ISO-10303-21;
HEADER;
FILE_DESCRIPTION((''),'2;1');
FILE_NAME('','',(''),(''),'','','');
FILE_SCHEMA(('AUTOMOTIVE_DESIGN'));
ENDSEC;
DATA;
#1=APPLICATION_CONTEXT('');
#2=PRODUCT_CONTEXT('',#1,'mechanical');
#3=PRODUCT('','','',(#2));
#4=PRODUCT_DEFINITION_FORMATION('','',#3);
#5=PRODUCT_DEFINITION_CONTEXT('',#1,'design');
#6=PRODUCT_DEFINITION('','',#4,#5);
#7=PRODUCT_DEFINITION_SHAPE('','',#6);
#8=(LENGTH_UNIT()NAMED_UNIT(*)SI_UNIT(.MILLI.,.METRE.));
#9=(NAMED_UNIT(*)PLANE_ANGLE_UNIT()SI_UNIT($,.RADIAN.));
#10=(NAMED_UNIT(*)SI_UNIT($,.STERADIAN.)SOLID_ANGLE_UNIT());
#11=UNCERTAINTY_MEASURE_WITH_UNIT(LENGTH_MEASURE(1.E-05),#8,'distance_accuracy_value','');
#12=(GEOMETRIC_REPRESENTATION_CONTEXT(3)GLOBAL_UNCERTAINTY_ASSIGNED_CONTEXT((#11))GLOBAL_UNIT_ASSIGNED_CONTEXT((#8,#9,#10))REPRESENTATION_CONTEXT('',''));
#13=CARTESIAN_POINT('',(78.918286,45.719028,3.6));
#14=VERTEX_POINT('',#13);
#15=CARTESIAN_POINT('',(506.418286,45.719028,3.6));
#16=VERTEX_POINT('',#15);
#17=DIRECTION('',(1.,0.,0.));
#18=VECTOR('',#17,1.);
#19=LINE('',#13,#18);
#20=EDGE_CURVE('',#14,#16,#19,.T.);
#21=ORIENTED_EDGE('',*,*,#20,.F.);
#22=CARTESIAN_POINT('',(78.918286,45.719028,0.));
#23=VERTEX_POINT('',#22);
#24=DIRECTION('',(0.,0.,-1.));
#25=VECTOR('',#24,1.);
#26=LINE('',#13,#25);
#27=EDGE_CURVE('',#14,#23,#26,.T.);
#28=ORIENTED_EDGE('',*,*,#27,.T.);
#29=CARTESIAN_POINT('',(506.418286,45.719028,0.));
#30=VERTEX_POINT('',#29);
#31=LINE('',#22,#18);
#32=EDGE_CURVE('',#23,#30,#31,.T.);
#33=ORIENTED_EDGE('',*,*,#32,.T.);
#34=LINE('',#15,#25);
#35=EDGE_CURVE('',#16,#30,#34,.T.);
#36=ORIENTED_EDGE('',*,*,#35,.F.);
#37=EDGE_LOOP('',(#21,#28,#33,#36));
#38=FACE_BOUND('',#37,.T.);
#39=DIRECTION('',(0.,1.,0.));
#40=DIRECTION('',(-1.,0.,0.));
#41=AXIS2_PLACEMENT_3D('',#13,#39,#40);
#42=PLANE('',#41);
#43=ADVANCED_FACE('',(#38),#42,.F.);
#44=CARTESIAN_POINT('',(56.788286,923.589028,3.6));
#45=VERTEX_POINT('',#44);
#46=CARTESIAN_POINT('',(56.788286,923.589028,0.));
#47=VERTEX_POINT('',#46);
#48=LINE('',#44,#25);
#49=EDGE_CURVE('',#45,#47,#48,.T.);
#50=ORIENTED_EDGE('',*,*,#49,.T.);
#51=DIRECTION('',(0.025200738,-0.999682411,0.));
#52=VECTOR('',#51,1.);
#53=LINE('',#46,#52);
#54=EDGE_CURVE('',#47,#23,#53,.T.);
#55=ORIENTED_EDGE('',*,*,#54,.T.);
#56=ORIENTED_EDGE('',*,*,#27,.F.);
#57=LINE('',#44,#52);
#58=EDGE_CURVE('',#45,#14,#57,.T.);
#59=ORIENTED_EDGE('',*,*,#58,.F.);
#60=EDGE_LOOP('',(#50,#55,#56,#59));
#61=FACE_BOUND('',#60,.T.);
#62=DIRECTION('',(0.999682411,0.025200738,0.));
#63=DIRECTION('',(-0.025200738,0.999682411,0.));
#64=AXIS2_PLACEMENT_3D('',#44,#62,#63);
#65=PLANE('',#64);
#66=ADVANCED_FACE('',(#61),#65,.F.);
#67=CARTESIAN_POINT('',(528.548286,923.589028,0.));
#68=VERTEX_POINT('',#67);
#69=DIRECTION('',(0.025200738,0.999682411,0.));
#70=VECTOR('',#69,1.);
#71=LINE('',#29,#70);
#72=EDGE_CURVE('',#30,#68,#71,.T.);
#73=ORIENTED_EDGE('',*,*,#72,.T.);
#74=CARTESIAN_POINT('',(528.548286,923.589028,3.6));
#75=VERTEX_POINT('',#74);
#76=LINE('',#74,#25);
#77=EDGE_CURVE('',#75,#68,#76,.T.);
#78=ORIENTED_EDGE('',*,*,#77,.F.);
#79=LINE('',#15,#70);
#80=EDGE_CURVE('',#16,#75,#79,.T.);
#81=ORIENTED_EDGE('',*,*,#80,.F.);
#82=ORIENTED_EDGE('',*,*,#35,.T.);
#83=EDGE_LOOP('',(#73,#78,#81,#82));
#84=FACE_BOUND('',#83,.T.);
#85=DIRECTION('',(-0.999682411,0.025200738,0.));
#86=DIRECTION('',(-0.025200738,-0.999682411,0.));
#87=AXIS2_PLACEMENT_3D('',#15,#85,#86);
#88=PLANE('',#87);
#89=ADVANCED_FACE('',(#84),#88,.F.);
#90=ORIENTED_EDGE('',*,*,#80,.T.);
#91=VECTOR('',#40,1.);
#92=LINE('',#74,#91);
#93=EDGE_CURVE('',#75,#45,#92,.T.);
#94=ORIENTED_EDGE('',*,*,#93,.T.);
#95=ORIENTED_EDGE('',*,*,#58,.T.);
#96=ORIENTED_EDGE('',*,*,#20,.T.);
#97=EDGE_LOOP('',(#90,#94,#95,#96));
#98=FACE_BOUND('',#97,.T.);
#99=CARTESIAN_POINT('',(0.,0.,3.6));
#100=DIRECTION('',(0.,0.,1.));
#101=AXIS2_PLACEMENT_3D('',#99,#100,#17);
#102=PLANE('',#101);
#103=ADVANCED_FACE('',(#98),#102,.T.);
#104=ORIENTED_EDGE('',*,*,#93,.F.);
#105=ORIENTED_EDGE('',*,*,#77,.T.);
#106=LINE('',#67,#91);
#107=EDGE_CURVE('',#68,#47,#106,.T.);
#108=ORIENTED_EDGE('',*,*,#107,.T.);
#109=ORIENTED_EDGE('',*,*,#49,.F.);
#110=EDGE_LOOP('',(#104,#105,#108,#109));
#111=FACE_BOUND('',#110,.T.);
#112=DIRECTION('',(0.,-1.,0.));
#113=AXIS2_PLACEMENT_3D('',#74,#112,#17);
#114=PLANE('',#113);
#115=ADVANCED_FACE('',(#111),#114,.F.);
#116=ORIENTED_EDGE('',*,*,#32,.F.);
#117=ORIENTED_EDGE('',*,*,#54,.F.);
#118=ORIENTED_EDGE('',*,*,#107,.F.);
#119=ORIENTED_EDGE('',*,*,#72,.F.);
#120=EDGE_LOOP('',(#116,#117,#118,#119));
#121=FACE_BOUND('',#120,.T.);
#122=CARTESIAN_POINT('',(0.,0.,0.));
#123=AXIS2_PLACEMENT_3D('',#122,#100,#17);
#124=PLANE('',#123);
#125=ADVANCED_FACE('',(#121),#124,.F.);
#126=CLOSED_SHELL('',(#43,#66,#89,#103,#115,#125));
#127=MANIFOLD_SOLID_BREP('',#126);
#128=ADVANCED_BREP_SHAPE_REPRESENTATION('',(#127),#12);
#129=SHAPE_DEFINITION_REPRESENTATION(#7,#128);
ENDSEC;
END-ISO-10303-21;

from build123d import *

# Parameters (mm, degrees)
BOSS_EXTRUDE1_DEPTH = 3.6


with BuildPart() as part:
    # Sketch1 → Boss-Extrude1 (new body)
    with BuildSketch(Plane.XY):
        Polygon((78.918285953, 45.719027647), (506.418285953, 45.719027647), (528.548285953, 923.589027647), (56.788285953, 923.589027647), align=None)
    extrude(amount=BOSS_EXTRUDE1_DEPTH)


solid = part.part
